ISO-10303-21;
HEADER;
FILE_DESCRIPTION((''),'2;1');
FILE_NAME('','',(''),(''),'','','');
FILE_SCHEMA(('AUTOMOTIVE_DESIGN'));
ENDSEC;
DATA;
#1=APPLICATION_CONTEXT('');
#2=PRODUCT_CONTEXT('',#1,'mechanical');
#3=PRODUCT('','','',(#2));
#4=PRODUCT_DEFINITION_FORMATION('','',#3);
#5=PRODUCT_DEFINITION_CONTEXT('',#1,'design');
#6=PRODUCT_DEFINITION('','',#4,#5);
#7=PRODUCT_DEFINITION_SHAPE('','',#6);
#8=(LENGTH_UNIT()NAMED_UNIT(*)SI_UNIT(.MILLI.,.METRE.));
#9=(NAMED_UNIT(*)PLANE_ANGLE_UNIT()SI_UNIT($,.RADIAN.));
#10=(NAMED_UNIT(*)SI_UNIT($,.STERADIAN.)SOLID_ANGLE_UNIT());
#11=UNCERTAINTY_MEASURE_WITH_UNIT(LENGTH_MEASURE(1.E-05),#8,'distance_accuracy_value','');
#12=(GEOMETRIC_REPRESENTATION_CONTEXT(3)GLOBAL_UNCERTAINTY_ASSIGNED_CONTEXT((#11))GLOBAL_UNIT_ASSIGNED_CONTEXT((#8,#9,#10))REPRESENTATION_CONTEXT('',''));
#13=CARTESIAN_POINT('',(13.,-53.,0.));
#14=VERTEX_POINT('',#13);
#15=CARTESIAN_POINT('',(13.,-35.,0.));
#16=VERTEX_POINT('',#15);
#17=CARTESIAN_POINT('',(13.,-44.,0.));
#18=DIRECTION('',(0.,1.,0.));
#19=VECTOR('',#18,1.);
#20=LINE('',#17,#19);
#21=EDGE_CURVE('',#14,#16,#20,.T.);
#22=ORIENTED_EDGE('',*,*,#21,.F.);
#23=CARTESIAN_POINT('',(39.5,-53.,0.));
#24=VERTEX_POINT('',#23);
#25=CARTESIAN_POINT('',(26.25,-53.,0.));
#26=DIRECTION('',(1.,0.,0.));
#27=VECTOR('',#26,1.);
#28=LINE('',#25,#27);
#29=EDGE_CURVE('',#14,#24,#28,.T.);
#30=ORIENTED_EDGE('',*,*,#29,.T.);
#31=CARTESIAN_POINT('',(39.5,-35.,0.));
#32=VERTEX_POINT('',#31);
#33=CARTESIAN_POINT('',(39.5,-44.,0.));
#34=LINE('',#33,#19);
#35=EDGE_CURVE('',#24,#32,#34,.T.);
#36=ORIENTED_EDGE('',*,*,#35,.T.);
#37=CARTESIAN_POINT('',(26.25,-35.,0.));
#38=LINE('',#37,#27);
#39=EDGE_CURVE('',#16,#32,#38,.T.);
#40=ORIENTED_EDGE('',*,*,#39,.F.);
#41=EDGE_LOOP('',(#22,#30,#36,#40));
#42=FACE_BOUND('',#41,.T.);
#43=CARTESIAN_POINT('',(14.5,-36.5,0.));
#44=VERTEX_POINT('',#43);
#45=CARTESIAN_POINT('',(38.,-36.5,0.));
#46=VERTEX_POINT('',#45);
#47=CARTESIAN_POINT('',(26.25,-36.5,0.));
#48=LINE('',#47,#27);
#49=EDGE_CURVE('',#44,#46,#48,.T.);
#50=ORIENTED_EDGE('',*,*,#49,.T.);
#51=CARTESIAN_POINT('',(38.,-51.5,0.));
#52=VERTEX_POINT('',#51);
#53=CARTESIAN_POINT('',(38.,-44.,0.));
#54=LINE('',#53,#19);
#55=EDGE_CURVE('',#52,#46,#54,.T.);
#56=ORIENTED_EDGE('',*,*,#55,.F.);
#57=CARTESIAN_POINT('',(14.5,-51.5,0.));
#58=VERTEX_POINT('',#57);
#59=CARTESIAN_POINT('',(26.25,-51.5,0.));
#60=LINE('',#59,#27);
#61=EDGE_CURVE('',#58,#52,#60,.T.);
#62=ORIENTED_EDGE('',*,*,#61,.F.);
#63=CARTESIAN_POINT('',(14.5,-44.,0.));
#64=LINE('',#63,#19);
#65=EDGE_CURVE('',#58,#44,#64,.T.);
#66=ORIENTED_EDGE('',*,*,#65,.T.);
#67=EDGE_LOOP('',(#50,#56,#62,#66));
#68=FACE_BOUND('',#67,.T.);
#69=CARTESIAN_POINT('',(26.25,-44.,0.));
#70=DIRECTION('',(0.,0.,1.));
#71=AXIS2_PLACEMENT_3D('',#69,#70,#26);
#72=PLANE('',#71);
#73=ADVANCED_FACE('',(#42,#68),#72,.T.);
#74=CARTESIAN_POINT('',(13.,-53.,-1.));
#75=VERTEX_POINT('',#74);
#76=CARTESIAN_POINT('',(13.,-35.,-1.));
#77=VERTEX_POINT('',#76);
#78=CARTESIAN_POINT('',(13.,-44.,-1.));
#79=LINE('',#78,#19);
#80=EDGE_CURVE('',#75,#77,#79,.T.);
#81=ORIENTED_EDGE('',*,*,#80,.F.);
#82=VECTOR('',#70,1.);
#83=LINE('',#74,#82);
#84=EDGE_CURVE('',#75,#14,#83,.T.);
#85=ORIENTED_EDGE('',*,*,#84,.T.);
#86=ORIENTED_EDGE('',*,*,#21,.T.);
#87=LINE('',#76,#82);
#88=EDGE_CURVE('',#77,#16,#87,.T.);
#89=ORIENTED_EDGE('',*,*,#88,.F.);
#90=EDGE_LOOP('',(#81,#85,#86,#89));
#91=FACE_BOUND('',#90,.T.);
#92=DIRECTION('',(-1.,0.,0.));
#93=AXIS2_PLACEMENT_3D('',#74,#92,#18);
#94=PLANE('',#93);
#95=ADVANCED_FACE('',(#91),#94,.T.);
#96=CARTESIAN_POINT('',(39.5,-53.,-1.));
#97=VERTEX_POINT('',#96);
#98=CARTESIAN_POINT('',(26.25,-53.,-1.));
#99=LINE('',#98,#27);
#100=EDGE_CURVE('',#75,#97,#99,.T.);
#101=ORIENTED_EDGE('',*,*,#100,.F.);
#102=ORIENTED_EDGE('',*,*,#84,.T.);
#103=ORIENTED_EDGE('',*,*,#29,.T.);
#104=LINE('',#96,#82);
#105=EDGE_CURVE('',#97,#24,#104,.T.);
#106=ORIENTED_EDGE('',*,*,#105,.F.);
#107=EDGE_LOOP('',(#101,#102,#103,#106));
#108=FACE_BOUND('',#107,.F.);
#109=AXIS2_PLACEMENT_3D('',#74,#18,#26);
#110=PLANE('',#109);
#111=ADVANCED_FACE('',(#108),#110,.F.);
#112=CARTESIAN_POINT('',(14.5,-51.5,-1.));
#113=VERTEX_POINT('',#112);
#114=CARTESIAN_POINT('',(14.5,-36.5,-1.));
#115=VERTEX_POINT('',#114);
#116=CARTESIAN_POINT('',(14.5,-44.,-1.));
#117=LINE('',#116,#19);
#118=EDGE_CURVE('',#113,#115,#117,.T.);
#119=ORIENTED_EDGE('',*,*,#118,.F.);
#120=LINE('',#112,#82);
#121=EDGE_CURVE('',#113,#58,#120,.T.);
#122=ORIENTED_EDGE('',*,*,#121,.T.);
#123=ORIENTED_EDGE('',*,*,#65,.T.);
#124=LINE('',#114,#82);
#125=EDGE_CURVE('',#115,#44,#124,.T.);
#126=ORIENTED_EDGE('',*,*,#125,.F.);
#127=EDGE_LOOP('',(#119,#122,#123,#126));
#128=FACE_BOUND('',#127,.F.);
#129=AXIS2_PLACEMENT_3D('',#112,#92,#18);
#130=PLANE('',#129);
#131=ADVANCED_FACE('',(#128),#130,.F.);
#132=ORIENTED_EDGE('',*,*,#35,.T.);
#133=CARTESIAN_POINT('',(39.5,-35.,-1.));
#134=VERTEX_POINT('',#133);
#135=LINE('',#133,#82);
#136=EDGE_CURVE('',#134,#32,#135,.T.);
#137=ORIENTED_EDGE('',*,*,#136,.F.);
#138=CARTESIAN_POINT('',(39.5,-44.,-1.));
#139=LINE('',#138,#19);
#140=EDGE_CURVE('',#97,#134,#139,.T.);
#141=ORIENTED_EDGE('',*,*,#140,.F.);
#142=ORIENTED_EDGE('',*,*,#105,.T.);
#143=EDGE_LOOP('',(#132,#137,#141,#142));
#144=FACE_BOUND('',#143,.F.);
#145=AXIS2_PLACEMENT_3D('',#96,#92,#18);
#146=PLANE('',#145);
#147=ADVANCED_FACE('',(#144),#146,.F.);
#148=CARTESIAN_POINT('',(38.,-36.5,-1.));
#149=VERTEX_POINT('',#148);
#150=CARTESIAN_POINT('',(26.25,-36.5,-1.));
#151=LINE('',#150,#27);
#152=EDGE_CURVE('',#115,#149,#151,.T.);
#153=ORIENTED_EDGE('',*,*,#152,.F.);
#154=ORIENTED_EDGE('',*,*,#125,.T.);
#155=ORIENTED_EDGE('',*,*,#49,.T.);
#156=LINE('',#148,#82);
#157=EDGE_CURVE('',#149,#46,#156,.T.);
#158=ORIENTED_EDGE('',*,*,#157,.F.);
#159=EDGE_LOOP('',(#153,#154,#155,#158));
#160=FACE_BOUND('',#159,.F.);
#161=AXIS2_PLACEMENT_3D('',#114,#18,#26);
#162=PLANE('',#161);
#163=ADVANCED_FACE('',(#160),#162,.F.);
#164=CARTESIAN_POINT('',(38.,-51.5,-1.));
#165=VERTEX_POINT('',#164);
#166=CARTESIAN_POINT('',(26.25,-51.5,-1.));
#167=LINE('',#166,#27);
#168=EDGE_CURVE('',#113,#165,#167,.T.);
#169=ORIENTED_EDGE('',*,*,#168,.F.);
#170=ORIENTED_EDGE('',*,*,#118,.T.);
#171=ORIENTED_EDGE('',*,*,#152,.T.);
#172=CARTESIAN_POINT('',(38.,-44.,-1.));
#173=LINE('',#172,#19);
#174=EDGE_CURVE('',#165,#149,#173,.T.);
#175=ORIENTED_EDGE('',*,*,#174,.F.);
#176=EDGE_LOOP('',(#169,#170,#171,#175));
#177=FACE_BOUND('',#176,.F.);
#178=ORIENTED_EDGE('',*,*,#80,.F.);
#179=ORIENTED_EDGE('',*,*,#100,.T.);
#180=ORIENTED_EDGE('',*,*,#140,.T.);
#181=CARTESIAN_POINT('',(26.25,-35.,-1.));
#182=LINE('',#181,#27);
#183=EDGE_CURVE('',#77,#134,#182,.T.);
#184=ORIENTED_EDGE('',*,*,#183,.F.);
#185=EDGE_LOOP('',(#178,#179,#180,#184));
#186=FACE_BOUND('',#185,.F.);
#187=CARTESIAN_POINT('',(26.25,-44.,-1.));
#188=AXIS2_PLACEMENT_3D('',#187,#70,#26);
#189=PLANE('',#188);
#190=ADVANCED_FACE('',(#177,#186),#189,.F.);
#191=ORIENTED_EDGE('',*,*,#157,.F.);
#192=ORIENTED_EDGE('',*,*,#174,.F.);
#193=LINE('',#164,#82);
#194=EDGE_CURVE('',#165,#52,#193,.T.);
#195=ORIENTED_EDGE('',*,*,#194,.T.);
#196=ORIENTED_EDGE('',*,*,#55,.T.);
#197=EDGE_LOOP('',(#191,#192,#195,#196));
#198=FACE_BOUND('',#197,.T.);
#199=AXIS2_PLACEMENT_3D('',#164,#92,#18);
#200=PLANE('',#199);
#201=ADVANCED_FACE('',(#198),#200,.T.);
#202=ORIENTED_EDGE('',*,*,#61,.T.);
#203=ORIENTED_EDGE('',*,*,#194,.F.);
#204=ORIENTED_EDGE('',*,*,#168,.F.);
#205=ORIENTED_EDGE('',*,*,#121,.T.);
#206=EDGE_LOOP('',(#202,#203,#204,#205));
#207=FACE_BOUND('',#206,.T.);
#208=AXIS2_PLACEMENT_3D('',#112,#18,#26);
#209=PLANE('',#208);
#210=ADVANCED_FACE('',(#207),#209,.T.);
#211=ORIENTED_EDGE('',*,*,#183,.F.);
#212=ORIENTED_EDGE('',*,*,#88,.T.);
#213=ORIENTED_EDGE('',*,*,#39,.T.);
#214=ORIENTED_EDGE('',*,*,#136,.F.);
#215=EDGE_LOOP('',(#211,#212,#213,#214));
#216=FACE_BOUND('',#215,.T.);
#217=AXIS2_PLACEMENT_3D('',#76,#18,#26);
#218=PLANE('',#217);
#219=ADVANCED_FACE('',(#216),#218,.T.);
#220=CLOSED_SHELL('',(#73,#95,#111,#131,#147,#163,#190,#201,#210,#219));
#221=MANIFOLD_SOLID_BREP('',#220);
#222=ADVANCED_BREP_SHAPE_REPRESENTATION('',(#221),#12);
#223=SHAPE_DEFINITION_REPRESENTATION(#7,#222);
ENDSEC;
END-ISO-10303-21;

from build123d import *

# Parameters (mm, degrees)
BOX013_W     = 23.5
BOX013_H     = 15
BOX013_DEPTH = 1
BOX012_W     = 26.5
BOX012_H     = 18
BOX012_DEPTH = 1


with BuildPart() as cube013:
    # Box013 → Box013 (new body)
    with BuildSketch(Plane(origin=(14.5, -51.5, 0), x_dir=(1, 0, 0), z_dir=(0, 0, 1))):
        with Locations((11.75, 7.5)):
            Rectangle(BOX013_W, BOX013_H)
    extrude(amount=BOX013_DEPTH)


with BuildPart() as cut007002001007002:
    # Box012 → Box012 (new body)
    with BuildSketch(Plane(origin=(13, -53, 0), x_dir=(1, 0, 0), z_dir=(0, 0, 1))):
        with Locations((13.25, 9)):
            Rectangle(BOX012_W, BOX012_H)
    extrude(amount=BOX012_DEPTH)

    # Cut007002001007002: cut Cube013
    add(cube013.part, mode=Mode.SUBTRACT)


with BuildPart() as cut007002001007002_1:
    # Cut007002001007002 placement: moved
    add(cut007002001007002.part.moved(Location((0, 0, -1))))


solid = cut007002001007002_1.part
